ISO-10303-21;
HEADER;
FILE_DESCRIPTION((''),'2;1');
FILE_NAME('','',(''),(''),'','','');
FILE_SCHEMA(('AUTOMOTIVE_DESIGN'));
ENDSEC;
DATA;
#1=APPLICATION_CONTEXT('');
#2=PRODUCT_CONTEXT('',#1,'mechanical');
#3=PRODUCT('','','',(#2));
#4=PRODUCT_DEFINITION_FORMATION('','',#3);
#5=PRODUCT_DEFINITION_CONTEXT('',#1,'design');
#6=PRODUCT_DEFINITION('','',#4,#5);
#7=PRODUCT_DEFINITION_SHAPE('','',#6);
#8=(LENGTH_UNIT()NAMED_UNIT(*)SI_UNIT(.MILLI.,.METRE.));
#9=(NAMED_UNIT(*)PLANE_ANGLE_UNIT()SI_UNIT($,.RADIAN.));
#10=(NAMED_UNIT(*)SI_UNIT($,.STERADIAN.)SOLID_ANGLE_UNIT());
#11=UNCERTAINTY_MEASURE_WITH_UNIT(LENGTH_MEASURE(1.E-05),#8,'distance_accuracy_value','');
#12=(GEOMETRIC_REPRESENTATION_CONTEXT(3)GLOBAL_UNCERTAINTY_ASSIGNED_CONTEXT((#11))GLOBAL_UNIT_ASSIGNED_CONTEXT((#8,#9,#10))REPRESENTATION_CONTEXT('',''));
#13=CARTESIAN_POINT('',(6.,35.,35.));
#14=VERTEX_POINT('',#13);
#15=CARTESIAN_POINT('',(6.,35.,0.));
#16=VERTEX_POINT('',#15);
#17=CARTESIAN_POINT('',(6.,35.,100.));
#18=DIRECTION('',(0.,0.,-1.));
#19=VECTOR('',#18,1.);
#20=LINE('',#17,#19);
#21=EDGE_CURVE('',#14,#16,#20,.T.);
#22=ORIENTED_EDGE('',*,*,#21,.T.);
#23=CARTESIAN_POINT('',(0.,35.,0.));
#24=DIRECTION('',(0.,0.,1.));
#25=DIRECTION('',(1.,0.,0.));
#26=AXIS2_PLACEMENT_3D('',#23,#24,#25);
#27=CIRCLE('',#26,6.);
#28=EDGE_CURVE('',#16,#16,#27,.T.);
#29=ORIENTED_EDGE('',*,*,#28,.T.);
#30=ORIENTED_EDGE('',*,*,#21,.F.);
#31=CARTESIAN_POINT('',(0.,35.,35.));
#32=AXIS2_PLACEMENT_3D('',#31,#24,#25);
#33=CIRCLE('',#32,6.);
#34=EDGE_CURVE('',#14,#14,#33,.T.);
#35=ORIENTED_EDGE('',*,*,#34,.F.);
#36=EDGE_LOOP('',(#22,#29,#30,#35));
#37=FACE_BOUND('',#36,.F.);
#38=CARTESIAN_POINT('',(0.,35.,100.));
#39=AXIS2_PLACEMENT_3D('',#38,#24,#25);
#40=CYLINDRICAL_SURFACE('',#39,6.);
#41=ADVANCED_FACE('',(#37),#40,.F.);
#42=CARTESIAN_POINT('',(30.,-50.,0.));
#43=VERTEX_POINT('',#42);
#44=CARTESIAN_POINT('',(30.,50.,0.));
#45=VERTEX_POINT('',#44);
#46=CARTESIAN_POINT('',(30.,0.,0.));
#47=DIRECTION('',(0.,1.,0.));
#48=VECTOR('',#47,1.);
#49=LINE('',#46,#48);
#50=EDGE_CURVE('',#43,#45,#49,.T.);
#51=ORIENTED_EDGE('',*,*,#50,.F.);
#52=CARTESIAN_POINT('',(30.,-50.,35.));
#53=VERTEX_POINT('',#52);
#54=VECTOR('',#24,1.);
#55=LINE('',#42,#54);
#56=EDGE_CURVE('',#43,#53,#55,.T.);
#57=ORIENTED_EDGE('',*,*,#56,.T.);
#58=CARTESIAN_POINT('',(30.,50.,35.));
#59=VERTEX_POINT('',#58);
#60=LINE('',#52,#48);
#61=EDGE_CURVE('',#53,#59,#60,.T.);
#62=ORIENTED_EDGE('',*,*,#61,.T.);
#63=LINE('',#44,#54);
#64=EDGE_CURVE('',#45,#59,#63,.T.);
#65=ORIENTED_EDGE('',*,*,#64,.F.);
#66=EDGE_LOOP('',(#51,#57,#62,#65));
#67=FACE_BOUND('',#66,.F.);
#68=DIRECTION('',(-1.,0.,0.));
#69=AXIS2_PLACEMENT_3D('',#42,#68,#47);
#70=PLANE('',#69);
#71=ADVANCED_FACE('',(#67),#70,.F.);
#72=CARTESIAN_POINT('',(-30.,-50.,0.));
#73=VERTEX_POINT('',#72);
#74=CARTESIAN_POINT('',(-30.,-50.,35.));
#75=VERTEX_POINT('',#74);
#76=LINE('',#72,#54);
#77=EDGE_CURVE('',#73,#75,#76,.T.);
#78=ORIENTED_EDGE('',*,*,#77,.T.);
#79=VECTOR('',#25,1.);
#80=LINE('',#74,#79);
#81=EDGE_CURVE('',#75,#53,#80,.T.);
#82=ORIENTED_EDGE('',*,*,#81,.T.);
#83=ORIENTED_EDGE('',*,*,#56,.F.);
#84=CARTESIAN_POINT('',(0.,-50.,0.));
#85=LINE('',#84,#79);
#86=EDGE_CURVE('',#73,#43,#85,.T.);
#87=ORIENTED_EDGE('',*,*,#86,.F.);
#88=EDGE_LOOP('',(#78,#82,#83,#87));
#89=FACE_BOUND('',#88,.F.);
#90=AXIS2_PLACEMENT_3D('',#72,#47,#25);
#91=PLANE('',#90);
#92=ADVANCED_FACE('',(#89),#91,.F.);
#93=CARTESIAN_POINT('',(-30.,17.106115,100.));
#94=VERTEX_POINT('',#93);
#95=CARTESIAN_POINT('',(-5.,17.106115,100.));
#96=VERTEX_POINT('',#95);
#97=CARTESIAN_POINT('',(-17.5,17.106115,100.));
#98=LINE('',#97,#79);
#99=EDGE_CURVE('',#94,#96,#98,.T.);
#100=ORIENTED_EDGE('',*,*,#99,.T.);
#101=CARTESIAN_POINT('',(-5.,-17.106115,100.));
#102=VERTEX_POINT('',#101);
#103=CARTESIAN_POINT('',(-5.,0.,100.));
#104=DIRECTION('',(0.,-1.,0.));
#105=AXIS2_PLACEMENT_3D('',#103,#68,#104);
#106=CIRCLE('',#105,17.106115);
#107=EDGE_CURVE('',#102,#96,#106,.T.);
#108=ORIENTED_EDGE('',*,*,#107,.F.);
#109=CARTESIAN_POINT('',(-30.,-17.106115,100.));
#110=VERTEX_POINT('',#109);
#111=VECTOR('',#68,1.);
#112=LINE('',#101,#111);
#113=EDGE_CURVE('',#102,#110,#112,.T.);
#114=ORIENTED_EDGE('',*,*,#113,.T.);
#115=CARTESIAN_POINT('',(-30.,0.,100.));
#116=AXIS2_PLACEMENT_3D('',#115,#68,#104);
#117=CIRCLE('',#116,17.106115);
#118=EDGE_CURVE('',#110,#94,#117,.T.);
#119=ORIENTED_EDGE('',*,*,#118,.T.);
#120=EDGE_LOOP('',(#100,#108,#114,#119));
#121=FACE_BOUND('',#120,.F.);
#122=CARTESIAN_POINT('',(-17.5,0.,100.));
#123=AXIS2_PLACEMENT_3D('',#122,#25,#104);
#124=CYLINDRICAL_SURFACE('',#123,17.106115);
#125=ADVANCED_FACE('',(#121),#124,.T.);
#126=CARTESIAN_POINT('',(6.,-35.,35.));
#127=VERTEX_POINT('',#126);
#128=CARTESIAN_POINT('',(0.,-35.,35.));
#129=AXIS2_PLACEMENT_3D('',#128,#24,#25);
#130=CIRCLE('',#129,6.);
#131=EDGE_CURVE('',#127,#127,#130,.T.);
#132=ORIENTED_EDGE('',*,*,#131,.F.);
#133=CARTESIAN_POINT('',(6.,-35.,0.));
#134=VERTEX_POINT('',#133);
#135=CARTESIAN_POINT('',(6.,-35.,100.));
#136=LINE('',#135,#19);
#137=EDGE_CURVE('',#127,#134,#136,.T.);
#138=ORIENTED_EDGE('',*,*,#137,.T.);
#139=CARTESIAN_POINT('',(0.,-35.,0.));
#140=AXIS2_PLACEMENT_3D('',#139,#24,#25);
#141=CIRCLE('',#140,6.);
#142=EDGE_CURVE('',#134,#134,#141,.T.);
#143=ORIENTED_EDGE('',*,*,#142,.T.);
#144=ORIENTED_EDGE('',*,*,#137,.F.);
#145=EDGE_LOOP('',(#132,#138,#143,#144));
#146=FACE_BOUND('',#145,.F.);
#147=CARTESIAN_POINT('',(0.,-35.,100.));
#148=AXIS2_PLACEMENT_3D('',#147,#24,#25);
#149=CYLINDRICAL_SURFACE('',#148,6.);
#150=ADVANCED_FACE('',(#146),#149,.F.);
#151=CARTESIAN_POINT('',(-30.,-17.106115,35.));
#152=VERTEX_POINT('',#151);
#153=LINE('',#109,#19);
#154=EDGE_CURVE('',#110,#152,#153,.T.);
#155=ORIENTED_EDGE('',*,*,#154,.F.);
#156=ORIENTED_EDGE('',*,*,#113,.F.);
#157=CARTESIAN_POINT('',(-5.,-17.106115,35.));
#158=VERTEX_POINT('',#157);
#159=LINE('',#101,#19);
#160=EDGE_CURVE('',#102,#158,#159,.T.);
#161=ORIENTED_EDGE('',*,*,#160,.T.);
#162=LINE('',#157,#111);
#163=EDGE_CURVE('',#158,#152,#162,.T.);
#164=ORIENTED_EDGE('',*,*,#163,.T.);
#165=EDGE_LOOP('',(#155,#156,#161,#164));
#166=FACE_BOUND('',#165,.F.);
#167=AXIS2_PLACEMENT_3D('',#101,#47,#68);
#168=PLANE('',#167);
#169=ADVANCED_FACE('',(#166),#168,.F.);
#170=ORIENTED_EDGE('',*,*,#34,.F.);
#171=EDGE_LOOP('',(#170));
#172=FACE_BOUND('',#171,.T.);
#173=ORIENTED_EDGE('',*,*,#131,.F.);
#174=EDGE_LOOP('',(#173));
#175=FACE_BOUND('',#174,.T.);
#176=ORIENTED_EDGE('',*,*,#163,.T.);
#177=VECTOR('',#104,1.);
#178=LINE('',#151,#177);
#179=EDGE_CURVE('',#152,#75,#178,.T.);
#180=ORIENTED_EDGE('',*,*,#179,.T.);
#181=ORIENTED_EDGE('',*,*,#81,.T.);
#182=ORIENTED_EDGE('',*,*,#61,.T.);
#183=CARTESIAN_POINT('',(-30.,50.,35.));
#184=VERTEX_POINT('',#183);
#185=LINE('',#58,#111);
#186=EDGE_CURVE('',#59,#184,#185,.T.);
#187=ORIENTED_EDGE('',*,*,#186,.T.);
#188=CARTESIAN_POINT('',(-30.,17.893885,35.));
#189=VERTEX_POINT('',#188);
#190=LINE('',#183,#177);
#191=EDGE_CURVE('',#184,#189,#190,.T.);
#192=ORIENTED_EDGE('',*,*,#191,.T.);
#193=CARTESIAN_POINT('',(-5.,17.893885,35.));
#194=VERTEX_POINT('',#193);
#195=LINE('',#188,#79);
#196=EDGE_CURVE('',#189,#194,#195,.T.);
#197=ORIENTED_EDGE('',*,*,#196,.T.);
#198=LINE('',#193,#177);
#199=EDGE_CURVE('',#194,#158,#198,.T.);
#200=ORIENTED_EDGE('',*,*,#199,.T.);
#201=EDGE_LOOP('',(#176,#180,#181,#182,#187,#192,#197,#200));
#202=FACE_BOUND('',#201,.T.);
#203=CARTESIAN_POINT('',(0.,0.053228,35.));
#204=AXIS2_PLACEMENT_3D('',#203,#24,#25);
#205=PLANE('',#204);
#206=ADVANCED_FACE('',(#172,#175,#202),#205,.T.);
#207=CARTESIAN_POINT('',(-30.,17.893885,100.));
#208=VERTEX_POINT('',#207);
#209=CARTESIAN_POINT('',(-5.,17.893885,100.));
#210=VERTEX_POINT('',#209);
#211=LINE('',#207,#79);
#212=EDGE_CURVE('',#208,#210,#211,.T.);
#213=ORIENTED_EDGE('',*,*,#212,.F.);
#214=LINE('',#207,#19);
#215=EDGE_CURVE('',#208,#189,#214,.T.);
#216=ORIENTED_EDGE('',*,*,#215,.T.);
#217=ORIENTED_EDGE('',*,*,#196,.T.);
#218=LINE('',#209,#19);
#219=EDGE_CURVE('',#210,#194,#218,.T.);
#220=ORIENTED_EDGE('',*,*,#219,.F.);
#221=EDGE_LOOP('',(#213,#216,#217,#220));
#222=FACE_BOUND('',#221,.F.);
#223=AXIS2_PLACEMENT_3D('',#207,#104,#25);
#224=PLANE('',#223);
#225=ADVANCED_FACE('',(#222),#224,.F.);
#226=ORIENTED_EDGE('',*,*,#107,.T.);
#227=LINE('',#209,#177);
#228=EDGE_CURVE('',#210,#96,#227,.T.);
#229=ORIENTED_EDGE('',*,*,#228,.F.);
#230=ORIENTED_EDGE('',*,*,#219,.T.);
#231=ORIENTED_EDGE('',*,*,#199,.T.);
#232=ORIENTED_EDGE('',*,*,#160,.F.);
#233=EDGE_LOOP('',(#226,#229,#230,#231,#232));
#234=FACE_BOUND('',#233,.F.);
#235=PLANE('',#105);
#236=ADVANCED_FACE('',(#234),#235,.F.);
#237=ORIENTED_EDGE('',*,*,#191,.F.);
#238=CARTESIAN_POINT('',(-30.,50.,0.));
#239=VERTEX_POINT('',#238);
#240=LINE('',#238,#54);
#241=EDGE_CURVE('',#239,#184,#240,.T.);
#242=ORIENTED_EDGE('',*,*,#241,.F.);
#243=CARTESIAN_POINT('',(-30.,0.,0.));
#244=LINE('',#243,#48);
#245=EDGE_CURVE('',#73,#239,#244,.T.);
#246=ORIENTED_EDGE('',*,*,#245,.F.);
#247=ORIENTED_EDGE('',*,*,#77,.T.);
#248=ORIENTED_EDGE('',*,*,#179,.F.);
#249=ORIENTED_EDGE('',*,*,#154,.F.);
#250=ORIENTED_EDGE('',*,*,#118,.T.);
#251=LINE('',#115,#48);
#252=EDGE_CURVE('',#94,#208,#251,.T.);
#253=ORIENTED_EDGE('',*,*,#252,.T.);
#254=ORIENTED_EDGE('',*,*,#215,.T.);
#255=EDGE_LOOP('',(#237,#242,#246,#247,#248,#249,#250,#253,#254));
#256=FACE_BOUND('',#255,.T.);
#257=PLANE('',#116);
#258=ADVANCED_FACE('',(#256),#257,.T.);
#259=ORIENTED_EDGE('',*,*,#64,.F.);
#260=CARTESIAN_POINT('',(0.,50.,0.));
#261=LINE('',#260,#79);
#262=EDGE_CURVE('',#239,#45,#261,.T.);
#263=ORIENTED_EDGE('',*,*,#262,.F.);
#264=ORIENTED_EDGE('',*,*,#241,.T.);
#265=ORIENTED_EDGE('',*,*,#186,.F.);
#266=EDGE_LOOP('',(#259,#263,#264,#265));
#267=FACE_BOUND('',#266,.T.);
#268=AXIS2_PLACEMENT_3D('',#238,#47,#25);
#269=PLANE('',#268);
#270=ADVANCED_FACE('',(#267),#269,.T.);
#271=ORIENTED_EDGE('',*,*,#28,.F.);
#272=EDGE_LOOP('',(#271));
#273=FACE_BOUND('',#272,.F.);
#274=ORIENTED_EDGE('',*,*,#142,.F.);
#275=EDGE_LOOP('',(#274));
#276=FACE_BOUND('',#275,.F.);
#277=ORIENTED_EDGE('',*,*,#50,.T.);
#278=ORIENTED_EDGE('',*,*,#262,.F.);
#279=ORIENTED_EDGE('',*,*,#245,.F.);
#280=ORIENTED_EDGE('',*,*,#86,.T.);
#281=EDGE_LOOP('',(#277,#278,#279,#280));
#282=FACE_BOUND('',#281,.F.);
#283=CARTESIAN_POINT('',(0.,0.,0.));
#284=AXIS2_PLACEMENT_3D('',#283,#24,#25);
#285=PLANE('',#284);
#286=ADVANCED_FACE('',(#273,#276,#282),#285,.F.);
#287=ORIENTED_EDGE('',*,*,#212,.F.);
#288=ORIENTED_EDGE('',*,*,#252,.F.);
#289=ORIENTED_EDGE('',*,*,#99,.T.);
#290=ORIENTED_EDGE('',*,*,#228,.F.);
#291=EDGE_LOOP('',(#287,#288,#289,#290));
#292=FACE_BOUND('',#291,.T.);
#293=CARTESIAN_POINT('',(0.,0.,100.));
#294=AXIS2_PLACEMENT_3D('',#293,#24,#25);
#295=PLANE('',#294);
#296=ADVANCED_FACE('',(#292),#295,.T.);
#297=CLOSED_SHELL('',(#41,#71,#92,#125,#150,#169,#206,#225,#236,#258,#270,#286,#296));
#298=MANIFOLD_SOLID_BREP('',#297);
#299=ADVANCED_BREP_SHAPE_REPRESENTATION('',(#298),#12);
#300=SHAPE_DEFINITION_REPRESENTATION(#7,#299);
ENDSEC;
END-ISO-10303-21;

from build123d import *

# Parameters (mm, degrees)
F0_W     = 60
F0_H     = 100
F1_DEPTH = 100
F2_R     = 6
F3_DEPTH = 100
F4_R     = 6
F5_DEPTH = 65
F6_W     = 25
F6_H     = 17.1061154245
F7_ANGLE = 180


with BuildPart() as f1:
    # F0 (on Top) → F1 (new body)
    with BuildSketch(Plane.XY):
        Rectangle(F0_W, F0_H)
    extrude(amount=F1_DEPTH)

    # F2 (on face) → F3 (cut)
    with BuildSketch(Plane.XY.offset(100)):
        with Locations((0, 35)):
            Circle(F2_R)
        with Locations((0, -35)):
            Circle(F2_R)
    extrude(amount=-F3_DEPTH, mode=Mode.SUBTRACT)

    # F4 (on face) → F5 (cut)
    with BuildSketch(Plane.XY.offset(100)):
        Polygon((-30, 50), (-30, 17.8938845755), (-5, 17.8938845755), (-5, -17.1061154245), (-30, -17.1061154245), (-30, -50), (30, -50), (30, 50), align=None)
        with Locations((0, -35)):
            Circle(F4_R, mode=Mode.SUBTRACT)
        with Locations((0, 35)):
            Circle(F4_R, mode=Mode.SUBTRACT)
    extrude(amount=-F5_DEPTH, mode=Mode.SUBTRACT)

    # F6 (on face) → F7 (revolve)
    with BuildSketch(Plane.XY.offset(100)):
        with Locations((-17.5, -8.5530577123)):
            Rectangle(F6_W, F6_H)
    revolve(axis=Axis((-17.5, 0, 100), (-1, 0, 0)), revolution_arc=F7_ANGLE)


solid = f1.part
